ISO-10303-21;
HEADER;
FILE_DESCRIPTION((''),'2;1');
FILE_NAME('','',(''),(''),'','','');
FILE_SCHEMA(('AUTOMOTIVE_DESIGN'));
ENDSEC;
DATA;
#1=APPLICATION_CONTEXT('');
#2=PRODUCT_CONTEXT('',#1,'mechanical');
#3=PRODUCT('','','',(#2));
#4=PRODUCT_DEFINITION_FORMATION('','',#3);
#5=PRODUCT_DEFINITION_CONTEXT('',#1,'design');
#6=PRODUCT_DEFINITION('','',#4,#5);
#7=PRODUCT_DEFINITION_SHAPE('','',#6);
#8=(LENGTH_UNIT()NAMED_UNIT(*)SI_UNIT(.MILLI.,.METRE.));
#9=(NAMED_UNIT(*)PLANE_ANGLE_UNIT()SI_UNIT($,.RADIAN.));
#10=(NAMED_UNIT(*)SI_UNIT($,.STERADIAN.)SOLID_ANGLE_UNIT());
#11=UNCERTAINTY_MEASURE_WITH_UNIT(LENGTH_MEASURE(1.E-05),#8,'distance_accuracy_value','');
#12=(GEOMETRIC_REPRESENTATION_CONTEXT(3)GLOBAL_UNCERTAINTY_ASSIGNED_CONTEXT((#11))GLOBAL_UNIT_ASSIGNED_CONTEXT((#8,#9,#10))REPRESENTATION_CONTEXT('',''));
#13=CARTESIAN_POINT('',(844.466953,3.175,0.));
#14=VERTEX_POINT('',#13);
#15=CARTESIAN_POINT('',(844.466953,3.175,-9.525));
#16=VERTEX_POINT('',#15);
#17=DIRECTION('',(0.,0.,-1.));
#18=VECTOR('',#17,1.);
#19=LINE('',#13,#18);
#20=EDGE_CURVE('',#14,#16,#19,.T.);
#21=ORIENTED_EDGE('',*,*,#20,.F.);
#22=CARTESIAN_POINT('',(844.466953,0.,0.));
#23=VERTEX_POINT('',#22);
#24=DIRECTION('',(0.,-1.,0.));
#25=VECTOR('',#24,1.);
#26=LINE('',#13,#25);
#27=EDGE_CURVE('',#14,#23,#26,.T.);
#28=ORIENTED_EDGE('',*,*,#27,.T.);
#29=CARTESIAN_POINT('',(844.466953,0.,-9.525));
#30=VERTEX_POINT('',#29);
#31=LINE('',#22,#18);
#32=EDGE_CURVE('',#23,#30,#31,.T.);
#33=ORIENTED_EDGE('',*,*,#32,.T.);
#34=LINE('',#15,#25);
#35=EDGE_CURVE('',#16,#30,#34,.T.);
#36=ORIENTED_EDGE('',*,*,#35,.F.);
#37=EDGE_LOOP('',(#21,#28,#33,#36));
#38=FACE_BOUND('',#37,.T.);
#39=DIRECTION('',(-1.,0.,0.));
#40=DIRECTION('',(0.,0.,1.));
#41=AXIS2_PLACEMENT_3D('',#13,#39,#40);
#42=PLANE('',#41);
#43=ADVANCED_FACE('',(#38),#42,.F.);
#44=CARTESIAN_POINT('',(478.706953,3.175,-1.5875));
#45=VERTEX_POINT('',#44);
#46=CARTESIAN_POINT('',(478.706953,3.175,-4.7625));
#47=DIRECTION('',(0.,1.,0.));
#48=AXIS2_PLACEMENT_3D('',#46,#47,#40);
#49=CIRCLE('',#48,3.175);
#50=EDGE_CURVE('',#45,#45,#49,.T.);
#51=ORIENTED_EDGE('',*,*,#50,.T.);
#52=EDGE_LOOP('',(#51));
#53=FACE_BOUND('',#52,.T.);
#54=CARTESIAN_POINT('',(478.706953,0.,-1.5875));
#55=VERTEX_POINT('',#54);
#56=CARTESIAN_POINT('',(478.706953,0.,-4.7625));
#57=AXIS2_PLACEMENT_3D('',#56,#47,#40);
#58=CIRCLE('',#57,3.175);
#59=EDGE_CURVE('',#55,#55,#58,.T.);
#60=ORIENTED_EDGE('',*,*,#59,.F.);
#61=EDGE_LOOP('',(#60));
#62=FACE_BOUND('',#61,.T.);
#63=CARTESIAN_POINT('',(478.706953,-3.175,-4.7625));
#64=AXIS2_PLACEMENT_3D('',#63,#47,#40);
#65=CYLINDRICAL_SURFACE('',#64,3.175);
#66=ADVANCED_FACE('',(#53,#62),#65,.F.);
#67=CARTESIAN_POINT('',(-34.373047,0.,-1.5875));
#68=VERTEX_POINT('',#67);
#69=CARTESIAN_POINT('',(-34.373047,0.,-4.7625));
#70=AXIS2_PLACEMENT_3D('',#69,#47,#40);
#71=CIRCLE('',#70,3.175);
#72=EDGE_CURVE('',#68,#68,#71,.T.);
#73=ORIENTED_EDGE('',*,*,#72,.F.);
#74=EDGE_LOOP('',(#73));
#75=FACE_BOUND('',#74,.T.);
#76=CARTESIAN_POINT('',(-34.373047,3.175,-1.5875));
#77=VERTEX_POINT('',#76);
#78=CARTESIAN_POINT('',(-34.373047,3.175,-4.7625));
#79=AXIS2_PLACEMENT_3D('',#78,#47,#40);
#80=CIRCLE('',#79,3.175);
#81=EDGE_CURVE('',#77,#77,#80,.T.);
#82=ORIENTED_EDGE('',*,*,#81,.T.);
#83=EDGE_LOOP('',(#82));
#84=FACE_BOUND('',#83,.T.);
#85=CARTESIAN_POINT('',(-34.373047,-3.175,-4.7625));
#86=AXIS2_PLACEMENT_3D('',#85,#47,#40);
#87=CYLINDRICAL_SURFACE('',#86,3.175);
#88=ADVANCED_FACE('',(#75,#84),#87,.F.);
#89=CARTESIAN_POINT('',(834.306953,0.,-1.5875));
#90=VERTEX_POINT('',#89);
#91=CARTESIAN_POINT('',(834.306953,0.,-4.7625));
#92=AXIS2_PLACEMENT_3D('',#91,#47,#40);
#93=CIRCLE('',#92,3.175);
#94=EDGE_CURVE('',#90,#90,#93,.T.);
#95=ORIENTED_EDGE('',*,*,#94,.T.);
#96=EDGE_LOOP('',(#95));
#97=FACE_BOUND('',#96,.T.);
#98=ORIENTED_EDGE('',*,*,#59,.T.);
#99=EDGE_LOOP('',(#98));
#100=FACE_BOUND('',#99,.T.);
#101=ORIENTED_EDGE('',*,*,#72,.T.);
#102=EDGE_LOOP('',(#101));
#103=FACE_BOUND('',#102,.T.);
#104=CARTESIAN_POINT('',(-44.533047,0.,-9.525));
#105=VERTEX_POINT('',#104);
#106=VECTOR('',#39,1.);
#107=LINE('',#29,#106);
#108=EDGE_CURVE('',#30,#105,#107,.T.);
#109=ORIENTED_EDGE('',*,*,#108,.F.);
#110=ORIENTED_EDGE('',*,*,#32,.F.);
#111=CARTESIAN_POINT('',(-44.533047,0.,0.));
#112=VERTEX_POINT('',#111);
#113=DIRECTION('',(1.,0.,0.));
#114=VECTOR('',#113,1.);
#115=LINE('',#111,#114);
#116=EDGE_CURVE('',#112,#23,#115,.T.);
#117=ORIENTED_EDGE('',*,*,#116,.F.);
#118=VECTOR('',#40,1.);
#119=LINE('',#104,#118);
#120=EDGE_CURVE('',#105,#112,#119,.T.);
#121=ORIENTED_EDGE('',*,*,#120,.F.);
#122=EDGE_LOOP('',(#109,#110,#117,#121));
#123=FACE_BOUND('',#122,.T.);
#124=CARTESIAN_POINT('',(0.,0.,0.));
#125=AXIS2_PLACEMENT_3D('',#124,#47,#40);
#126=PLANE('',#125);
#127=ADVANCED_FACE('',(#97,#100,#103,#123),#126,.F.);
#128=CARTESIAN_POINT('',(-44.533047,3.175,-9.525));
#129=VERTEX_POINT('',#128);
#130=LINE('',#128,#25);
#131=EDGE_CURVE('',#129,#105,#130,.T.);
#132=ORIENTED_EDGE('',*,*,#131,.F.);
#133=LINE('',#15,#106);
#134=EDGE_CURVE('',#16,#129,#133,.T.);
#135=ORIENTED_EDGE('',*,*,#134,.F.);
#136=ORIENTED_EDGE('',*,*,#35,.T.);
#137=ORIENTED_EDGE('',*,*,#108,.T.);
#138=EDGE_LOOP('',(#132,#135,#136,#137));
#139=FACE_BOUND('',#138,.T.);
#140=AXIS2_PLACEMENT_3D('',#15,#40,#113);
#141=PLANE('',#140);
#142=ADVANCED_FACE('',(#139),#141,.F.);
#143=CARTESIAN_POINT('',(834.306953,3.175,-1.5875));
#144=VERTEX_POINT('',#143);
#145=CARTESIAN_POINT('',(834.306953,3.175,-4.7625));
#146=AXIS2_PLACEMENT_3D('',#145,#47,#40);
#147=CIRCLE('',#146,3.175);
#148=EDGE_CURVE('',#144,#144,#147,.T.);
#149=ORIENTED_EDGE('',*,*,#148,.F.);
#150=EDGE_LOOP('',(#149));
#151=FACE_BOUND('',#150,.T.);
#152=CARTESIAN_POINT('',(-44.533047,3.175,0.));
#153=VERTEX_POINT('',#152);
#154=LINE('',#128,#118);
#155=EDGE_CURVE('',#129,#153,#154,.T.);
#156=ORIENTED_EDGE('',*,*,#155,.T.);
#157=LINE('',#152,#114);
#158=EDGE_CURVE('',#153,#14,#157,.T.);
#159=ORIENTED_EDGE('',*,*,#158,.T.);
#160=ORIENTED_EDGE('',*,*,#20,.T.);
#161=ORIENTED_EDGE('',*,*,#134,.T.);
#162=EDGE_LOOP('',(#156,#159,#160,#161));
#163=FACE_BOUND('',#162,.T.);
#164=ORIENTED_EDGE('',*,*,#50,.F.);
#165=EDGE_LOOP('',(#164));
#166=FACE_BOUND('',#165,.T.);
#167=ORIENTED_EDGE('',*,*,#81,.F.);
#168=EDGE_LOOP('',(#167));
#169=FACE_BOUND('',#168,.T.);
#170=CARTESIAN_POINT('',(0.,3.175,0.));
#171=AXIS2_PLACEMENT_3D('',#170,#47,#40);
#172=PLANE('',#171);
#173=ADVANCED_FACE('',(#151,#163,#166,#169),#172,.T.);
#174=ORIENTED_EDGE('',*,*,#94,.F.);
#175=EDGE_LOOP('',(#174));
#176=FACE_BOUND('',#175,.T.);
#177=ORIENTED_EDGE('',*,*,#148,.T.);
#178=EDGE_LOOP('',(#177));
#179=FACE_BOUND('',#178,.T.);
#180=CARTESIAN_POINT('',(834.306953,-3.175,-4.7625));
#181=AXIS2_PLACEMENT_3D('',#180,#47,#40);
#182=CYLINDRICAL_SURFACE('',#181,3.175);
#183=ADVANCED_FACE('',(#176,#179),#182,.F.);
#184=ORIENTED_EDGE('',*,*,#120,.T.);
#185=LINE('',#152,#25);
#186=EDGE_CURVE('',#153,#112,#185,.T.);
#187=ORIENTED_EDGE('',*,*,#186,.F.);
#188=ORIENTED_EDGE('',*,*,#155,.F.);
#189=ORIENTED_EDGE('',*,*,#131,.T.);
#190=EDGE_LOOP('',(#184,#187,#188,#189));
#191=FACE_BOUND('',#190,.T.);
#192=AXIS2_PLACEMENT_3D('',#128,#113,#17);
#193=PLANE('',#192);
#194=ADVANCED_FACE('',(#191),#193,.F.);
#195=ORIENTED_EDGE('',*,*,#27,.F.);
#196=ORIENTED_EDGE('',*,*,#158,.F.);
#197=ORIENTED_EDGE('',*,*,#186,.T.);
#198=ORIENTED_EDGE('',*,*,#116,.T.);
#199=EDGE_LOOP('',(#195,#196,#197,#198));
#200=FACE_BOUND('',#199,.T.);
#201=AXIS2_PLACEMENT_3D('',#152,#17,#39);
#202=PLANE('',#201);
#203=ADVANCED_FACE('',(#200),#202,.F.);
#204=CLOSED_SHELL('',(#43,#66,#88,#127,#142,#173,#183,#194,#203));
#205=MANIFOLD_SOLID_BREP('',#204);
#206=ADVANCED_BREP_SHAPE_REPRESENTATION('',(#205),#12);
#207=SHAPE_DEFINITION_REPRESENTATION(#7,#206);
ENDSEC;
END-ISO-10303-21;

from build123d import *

# Parameters (mm, degrees)
SKETCH1_W           = 889
SKETCH1_H           = 9.525
BOSS_EXTRUDE1_DEPTH = 3.175
SKETCH2_R           = 3.175
CUT_EXTRUDE1_DEPTH  = 6.35


with BuildPart() as part:
    # Sketch1 → Boss-Extrude1 (new body)
    with BuildSketch(Plane(origin=(0, 0, 0), x_dir=(1, 0, 0), z_dir=(0, 1, 0))):
        with Locations((399.966952656, 4.7625)):
            Rectangle(SKETCH1_W, SKETCH1_H)
    extrude(amount=BOSS_EXTRUDE1_DEPTH)

    # Sketch2 → Cut-Extrude1 (cut)
    with BuildSketch(Plane(origin=(0, 3.175, 0), x_dir=(1, 0, 0), z_dir=(0, 1, 0))):
        with Locations(Location((-34.373047344, 4.7625, 0), (0, 0, 270))):
            Circle(SKETCH2_R)
        with Locations(Location((834.306952656, 4.7625, 0), (0, 0, 270))):
            Circle(SKETCH2_R)
        with Locations(Location((478.706952656, 4.7625, 0), (0, 0, 270))):
            Circle(SKETCH2_R)
    extrude(amount=-CUT_EXTRUDE1_DEPTH, mode=Mode.SUBTRACT)


solid = part.part
